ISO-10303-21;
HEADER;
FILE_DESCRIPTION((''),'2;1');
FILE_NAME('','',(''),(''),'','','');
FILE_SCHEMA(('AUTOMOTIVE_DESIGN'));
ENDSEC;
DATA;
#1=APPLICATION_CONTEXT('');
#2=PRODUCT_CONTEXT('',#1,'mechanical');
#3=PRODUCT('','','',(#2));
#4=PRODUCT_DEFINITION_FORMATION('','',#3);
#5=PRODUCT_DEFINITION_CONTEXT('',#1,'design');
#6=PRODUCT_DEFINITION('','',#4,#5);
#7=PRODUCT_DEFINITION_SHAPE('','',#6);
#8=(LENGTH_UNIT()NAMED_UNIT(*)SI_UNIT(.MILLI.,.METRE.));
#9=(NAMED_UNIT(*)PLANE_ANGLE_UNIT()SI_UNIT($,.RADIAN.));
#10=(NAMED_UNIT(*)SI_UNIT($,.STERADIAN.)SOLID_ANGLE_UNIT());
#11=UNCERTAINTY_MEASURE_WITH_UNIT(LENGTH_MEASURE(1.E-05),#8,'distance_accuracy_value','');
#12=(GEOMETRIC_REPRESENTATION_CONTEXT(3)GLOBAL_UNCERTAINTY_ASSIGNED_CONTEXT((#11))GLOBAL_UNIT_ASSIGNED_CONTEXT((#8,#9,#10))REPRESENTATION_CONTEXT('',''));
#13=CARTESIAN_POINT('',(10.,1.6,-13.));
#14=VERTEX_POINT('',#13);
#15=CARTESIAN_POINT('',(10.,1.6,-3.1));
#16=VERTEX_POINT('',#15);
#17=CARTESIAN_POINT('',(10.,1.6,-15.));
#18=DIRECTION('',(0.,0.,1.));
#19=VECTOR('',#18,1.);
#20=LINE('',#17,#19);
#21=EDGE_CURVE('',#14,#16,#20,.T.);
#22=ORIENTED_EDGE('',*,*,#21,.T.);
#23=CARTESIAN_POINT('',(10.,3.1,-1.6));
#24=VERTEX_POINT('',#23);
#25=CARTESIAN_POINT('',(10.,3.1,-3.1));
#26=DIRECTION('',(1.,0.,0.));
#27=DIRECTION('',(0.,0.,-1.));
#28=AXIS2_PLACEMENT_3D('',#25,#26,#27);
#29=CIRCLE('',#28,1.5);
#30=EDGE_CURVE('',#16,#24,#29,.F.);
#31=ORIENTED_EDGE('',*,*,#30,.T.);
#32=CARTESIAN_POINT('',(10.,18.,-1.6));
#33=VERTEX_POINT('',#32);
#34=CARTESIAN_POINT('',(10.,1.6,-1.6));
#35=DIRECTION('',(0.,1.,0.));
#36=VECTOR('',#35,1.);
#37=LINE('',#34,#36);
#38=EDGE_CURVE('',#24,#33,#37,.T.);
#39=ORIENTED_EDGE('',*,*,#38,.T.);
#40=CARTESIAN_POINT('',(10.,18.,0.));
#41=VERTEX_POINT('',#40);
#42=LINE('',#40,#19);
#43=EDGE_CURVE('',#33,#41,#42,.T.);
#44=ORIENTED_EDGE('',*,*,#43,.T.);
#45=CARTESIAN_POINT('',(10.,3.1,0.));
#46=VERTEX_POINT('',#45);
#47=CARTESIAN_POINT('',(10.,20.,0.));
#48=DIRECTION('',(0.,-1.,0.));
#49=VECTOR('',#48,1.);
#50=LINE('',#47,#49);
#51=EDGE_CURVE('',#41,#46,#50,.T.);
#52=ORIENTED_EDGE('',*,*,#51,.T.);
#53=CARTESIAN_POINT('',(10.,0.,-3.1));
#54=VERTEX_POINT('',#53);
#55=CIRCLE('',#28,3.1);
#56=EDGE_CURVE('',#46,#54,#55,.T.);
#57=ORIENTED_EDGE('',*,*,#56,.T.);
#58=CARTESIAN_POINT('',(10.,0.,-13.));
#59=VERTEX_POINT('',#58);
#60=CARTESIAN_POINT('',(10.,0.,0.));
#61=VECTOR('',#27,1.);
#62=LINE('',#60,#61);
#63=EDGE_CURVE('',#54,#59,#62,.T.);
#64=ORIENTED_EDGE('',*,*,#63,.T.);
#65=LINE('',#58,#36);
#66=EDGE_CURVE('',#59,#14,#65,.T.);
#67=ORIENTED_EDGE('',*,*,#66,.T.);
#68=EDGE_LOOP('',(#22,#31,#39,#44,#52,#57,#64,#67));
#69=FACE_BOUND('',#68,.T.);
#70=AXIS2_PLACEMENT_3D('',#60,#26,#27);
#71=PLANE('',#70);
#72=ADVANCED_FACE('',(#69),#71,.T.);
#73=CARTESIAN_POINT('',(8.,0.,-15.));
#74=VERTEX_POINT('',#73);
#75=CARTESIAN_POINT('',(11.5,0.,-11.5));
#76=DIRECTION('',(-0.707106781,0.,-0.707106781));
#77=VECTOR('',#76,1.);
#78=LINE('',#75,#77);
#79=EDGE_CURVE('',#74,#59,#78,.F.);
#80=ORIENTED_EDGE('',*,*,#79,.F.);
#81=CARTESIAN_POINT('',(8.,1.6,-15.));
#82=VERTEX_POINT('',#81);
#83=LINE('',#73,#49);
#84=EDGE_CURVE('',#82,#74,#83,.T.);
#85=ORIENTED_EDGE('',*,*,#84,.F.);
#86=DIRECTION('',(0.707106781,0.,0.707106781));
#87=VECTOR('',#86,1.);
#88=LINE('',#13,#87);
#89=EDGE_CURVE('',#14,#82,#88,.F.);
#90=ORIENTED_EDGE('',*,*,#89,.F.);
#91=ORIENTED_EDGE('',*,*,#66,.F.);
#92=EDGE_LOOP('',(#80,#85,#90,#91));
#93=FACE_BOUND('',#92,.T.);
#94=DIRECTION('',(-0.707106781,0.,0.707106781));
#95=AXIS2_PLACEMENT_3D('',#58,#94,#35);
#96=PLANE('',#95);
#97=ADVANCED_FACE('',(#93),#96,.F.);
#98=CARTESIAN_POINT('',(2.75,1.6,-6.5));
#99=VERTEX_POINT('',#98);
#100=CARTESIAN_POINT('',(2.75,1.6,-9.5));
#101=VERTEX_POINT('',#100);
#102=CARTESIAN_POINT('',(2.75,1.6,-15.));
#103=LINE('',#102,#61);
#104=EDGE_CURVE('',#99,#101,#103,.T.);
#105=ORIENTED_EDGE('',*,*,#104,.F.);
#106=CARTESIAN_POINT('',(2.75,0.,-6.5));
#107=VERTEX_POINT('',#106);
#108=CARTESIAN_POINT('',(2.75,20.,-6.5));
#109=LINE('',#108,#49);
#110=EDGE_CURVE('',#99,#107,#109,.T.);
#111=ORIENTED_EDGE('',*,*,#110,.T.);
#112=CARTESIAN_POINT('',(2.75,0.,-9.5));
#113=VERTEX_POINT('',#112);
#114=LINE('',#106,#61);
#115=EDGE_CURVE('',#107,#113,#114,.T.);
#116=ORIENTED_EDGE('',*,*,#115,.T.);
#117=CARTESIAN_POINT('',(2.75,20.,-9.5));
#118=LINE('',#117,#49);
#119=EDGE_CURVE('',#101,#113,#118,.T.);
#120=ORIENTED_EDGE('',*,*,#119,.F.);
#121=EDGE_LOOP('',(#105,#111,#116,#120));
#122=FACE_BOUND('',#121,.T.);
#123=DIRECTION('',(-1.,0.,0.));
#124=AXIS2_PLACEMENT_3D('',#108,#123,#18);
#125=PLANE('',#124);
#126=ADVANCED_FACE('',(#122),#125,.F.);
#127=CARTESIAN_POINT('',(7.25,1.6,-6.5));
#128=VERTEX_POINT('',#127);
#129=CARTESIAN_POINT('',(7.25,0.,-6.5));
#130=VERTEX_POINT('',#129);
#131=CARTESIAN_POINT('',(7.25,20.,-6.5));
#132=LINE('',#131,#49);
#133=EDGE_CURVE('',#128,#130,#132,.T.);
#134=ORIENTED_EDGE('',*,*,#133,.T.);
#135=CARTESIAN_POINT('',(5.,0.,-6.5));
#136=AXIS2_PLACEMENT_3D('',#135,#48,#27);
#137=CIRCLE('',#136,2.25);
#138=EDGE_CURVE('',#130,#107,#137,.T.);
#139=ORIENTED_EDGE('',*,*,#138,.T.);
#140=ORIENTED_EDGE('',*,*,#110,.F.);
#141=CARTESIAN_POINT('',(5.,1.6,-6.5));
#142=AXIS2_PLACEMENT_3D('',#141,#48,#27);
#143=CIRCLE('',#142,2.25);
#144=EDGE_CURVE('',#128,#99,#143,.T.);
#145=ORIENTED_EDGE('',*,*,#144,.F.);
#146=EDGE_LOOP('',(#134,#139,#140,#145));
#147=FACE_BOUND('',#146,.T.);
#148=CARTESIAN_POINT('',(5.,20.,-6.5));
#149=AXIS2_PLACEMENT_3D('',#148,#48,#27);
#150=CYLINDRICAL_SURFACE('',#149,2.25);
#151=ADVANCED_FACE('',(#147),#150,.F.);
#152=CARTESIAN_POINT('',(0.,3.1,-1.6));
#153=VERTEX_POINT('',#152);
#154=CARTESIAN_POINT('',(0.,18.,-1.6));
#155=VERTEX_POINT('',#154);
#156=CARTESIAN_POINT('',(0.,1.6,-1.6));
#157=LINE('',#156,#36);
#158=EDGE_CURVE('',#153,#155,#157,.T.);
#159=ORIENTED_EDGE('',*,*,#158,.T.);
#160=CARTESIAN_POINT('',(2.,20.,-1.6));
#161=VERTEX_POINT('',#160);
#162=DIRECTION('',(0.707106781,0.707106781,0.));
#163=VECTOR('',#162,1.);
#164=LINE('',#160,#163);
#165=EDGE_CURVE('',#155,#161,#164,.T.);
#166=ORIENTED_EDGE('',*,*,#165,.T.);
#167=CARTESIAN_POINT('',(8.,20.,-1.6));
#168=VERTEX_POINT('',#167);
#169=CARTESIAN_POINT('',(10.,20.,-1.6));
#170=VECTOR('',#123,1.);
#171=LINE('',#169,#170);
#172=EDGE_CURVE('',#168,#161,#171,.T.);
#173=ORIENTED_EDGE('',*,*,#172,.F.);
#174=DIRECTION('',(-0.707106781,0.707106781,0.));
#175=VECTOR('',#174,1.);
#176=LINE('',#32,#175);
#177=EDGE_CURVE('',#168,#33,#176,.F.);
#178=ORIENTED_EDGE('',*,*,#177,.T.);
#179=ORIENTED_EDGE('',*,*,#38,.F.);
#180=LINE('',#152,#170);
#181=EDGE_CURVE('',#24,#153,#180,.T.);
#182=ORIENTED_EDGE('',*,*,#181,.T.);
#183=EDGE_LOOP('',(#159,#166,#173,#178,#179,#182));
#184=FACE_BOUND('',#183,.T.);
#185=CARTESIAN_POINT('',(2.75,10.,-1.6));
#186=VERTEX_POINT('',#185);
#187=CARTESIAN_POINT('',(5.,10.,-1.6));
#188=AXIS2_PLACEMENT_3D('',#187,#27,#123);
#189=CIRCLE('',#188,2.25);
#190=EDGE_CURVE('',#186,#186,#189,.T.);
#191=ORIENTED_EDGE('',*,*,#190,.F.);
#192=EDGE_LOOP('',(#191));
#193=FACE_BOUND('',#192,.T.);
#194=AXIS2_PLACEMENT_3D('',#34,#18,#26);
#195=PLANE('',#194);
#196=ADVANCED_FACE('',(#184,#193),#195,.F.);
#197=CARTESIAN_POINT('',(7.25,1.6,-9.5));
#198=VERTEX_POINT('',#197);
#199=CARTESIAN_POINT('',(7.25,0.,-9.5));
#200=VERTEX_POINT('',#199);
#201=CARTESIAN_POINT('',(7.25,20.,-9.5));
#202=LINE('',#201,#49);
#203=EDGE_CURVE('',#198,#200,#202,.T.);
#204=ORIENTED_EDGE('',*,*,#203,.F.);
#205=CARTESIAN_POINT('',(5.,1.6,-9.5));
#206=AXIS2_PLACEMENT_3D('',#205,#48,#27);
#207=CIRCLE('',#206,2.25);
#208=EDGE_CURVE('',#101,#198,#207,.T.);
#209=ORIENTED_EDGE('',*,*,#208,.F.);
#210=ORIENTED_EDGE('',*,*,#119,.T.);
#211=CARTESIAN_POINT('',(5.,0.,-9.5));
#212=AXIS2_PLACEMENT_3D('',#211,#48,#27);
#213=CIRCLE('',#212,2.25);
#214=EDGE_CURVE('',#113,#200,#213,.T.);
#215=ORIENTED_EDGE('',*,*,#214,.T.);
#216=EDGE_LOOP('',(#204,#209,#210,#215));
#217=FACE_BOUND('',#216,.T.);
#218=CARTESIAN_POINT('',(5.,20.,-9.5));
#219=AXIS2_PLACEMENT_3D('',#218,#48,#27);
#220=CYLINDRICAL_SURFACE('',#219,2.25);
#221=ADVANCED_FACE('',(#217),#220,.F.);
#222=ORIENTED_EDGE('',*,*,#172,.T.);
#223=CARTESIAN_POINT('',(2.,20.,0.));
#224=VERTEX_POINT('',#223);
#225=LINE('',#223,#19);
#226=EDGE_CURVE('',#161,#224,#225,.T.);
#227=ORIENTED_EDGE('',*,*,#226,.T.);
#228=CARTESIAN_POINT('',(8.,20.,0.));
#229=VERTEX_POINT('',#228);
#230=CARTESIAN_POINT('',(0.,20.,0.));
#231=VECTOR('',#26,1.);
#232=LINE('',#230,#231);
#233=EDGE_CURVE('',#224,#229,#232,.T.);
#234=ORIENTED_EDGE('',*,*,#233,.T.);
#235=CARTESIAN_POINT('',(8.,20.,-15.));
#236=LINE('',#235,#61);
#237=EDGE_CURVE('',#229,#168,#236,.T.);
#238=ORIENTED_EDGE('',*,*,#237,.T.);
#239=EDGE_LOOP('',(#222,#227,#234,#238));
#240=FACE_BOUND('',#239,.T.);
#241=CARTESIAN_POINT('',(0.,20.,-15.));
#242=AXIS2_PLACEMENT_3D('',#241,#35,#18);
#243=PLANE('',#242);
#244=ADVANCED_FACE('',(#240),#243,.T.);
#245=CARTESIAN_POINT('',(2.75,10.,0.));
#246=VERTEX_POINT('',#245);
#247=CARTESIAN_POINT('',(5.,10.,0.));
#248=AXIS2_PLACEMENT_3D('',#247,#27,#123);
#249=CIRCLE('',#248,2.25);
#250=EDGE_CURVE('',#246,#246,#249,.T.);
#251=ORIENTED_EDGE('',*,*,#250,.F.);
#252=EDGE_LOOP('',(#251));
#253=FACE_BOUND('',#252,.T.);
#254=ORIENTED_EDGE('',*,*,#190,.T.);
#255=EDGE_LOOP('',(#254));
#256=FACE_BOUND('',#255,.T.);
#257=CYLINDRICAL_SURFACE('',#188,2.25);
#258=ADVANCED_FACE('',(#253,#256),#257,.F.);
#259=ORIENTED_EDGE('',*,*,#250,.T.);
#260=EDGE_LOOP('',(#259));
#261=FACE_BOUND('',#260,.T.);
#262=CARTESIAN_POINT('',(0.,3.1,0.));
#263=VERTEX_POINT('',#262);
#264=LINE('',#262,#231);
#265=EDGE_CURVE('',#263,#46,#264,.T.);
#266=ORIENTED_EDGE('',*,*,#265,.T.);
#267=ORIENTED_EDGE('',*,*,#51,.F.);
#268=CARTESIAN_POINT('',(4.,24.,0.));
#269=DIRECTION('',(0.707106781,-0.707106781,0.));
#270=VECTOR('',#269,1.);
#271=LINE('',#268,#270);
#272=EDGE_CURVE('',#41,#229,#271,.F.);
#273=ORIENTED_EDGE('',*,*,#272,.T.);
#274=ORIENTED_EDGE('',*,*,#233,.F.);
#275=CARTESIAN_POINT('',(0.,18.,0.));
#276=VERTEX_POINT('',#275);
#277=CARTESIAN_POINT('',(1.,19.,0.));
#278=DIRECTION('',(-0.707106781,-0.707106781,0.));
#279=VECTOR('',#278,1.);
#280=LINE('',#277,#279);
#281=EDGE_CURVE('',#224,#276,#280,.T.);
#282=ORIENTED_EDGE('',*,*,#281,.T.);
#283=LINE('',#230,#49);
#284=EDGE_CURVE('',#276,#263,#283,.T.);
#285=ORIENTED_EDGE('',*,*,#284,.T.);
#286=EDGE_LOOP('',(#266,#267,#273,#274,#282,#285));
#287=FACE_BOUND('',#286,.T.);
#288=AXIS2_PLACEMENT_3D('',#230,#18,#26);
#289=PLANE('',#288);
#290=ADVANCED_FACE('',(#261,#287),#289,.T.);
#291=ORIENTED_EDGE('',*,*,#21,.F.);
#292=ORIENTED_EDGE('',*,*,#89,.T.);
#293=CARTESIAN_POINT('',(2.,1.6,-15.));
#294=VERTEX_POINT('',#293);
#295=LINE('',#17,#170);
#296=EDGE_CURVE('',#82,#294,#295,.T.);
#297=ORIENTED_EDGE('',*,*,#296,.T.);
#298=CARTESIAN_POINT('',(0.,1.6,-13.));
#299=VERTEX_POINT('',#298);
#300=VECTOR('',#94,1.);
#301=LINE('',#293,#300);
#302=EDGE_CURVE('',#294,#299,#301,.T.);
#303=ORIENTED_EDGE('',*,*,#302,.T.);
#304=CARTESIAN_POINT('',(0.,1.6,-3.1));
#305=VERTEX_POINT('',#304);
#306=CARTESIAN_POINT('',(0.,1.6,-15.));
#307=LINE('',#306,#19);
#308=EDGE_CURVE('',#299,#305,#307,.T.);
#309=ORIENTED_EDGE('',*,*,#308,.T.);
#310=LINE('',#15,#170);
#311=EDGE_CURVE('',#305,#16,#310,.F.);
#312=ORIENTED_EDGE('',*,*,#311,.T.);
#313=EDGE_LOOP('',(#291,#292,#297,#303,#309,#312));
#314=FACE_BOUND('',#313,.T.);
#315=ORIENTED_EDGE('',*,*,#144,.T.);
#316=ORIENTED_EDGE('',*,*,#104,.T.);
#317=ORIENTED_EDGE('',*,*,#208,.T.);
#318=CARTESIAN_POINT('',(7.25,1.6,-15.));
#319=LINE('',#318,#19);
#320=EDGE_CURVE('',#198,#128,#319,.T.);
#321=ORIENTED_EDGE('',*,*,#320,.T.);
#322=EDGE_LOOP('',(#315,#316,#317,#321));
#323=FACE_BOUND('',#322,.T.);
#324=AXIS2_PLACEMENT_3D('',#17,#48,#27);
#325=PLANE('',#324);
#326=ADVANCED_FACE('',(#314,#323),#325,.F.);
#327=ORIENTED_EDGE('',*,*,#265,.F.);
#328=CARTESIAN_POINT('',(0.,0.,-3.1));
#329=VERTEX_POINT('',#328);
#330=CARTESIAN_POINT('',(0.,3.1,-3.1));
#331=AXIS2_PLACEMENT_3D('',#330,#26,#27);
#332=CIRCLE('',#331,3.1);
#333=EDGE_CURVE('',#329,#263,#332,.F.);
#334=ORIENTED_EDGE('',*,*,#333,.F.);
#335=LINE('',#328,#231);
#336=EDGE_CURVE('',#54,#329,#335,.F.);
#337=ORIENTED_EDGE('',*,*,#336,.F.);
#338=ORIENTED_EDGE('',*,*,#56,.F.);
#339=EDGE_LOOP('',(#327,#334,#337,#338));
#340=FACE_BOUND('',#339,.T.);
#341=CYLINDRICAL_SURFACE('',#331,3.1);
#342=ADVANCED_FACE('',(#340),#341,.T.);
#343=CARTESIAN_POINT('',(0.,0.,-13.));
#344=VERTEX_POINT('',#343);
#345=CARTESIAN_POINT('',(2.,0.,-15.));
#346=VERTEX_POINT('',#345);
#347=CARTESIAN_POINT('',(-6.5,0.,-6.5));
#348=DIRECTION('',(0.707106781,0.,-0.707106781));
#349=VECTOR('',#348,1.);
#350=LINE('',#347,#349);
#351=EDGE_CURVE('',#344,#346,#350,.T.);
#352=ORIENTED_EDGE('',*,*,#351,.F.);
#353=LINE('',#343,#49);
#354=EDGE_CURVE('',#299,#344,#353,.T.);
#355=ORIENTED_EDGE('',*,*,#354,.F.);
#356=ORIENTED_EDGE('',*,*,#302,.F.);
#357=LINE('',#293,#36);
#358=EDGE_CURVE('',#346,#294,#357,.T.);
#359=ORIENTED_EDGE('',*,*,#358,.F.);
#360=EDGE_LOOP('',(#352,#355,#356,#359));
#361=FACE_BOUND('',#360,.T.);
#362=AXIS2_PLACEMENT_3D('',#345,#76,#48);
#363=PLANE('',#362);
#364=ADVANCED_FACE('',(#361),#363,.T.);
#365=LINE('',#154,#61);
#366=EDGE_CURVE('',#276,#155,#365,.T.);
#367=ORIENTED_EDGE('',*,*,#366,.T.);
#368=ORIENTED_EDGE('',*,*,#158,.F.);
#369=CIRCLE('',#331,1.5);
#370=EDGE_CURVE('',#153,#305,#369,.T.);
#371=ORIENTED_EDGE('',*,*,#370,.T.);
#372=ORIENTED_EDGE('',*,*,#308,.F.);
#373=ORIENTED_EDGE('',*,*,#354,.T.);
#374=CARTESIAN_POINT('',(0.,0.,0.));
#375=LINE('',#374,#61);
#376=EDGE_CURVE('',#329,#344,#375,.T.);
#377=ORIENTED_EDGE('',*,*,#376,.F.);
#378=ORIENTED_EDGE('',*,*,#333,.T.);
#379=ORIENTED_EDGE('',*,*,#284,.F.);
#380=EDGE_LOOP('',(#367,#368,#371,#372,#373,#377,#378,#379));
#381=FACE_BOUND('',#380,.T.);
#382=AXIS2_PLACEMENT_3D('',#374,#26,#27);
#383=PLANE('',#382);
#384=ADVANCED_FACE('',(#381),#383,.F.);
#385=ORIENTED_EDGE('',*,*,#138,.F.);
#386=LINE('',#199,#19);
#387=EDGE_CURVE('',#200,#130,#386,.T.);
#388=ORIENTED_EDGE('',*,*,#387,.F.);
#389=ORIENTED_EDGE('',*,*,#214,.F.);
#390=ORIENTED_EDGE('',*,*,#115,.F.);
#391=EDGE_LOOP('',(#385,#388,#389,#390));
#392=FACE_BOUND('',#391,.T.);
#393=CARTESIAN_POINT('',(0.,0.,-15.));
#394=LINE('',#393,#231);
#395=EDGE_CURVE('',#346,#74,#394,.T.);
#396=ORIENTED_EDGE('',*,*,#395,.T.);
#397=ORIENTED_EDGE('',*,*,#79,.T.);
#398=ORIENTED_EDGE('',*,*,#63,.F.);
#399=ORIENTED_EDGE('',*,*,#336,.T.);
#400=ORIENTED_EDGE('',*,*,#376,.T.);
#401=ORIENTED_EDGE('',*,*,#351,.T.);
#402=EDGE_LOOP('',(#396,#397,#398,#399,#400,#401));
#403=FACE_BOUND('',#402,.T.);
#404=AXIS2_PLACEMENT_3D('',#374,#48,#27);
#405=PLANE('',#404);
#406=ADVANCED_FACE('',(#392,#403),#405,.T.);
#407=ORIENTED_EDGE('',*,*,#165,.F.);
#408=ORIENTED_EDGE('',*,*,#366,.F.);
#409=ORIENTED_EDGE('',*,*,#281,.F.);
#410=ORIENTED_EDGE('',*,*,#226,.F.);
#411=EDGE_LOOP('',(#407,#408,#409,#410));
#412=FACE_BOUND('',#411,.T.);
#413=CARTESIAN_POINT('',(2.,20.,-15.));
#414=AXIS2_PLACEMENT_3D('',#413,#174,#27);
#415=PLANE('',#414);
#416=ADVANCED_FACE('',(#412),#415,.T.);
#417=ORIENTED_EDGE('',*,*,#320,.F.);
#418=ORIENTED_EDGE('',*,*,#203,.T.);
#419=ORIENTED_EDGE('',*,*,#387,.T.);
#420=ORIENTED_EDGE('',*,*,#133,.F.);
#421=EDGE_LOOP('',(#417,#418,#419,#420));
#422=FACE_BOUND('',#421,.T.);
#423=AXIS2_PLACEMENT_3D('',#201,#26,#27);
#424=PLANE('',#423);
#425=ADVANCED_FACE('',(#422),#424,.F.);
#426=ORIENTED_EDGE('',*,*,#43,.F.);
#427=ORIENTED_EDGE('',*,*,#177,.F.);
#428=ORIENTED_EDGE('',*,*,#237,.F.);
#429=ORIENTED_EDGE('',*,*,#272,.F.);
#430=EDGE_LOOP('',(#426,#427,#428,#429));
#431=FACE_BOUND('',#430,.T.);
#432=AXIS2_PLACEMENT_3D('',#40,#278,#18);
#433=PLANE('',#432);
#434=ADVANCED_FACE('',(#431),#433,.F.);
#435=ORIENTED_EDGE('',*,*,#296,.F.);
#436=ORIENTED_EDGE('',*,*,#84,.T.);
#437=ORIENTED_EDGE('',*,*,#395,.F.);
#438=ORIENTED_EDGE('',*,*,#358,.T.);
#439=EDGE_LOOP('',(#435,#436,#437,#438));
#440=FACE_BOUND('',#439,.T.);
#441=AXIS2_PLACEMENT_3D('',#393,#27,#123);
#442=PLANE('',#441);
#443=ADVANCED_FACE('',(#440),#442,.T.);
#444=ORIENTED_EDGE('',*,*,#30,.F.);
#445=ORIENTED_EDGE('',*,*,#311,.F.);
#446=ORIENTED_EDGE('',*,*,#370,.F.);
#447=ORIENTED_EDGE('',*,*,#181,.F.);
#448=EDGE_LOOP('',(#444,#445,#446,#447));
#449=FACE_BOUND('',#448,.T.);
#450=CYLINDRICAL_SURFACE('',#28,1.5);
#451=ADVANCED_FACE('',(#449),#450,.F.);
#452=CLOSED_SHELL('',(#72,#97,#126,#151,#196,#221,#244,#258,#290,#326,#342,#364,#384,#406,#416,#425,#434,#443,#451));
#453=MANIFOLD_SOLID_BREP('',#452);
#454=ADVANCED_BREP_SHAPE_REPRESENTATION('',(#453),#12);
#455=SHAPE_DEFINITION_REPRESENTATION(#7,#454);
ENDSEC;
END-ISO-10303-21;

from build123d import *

# Parameters (mm, degrees)
SKETCH1_W                  = 15
SKETCH1_H                  = 20
BOSS_EXTRUDE1_DEPTH        = 10
SKETCH2_W                  = 13.4
SKETCH2_H                  = 18.4
CUT_EXTRUDE1_DEPTH         = 27.925824036
CUT_EXTRUDE2_DEPTH         = 27.925824036
F_4_5_4_5_DIAMETER_HOLE1_D = 4.5
CHAMFER1_SIZE              = 2
FILLET1_R                  = 1.5
FILLET2_R                  = 3.1


with BuildPart() as part:
    # Sketch1 → Boss-Extrude1 (new body)
    with BuildSketch(Plane(origin=(10, 0, 0), x_dir=(0, 0, -1), z_dir=(1, 0, 0))):
        with Locations((7.5, 10)):
            Rectangle(SKETCH1_W, SKETCH1_H)
    extrude(amount=-BOSS_EXTRUDE1_DEPTH)

    # Sketch2 → Cut-Extrude1 (cut, through all)
    with BuildSketch(Plane.ZY):
        with Locations((-8.3, 10.8)):
            Rectangle(SKETCH2_W, SKETCH2_H)
    extrude(amount=-CUT_EXTRUDE1_DEPTH, mode=Mode.SUBTRACT)

    # Sketch3 → Cut-Extrude2 (cut, through all)
    with BuildSketch(Plane.XZ):
        with BuildLine():
            Line((7.25, -9.5), (7.25, -6.5))
            ThreePointArc((7.25, -6.5), (5, -4.25), (2.75, -6.5))
            Line((2.75, -6.5), (2.75, -9.5))
            ThreePointArc((2.75, -9.5), (5, -11.75), (7.25, -9.5))
        make_face()
    extrude(amount=-CUT_EXTRUDE2_DEPTH, mode=Mode.SUBTRACT)

    # Ø4.5 (4.5) Diameter Hole1 (through all)
    with Locations(Plane(origin=(0, 0, -1.6), x_dir=(-1, 0, 0), z_dir=(0, 0, -1))):
        with Locations((-5, 10)):
            Hole(F_4_5_4_5_DIAMETER_HOLE1_D / 2)

    # Chamfer1
    chamfer1_edges = [part.edges().sort_by_distance(p)[0] for p in [
        (0, 0.8, -15),
        (10, 20, -0.8),
        (0, 20, -0.8),
        (10, 0.8, -15),
    ]]
    chamfer(chamfer1_edges, length=CHAMFER1_SIZE)

    # Fillet1
    fillet1_edges = [part.edges().sort_by_distance(p)[0] for p in [
        (5, 1.6, -1.6),
    ]]
    fillet(fillet1_edges, radius=FILLET1_R)

    # Fillet2
    fillet2_edges = [part.edges().sort_by_distance(p)[0] for p in [
        (5, 0, 0),
    ]]
    fillet(fillet2_edges, radius=FILLET2_R)


solid = part.part
